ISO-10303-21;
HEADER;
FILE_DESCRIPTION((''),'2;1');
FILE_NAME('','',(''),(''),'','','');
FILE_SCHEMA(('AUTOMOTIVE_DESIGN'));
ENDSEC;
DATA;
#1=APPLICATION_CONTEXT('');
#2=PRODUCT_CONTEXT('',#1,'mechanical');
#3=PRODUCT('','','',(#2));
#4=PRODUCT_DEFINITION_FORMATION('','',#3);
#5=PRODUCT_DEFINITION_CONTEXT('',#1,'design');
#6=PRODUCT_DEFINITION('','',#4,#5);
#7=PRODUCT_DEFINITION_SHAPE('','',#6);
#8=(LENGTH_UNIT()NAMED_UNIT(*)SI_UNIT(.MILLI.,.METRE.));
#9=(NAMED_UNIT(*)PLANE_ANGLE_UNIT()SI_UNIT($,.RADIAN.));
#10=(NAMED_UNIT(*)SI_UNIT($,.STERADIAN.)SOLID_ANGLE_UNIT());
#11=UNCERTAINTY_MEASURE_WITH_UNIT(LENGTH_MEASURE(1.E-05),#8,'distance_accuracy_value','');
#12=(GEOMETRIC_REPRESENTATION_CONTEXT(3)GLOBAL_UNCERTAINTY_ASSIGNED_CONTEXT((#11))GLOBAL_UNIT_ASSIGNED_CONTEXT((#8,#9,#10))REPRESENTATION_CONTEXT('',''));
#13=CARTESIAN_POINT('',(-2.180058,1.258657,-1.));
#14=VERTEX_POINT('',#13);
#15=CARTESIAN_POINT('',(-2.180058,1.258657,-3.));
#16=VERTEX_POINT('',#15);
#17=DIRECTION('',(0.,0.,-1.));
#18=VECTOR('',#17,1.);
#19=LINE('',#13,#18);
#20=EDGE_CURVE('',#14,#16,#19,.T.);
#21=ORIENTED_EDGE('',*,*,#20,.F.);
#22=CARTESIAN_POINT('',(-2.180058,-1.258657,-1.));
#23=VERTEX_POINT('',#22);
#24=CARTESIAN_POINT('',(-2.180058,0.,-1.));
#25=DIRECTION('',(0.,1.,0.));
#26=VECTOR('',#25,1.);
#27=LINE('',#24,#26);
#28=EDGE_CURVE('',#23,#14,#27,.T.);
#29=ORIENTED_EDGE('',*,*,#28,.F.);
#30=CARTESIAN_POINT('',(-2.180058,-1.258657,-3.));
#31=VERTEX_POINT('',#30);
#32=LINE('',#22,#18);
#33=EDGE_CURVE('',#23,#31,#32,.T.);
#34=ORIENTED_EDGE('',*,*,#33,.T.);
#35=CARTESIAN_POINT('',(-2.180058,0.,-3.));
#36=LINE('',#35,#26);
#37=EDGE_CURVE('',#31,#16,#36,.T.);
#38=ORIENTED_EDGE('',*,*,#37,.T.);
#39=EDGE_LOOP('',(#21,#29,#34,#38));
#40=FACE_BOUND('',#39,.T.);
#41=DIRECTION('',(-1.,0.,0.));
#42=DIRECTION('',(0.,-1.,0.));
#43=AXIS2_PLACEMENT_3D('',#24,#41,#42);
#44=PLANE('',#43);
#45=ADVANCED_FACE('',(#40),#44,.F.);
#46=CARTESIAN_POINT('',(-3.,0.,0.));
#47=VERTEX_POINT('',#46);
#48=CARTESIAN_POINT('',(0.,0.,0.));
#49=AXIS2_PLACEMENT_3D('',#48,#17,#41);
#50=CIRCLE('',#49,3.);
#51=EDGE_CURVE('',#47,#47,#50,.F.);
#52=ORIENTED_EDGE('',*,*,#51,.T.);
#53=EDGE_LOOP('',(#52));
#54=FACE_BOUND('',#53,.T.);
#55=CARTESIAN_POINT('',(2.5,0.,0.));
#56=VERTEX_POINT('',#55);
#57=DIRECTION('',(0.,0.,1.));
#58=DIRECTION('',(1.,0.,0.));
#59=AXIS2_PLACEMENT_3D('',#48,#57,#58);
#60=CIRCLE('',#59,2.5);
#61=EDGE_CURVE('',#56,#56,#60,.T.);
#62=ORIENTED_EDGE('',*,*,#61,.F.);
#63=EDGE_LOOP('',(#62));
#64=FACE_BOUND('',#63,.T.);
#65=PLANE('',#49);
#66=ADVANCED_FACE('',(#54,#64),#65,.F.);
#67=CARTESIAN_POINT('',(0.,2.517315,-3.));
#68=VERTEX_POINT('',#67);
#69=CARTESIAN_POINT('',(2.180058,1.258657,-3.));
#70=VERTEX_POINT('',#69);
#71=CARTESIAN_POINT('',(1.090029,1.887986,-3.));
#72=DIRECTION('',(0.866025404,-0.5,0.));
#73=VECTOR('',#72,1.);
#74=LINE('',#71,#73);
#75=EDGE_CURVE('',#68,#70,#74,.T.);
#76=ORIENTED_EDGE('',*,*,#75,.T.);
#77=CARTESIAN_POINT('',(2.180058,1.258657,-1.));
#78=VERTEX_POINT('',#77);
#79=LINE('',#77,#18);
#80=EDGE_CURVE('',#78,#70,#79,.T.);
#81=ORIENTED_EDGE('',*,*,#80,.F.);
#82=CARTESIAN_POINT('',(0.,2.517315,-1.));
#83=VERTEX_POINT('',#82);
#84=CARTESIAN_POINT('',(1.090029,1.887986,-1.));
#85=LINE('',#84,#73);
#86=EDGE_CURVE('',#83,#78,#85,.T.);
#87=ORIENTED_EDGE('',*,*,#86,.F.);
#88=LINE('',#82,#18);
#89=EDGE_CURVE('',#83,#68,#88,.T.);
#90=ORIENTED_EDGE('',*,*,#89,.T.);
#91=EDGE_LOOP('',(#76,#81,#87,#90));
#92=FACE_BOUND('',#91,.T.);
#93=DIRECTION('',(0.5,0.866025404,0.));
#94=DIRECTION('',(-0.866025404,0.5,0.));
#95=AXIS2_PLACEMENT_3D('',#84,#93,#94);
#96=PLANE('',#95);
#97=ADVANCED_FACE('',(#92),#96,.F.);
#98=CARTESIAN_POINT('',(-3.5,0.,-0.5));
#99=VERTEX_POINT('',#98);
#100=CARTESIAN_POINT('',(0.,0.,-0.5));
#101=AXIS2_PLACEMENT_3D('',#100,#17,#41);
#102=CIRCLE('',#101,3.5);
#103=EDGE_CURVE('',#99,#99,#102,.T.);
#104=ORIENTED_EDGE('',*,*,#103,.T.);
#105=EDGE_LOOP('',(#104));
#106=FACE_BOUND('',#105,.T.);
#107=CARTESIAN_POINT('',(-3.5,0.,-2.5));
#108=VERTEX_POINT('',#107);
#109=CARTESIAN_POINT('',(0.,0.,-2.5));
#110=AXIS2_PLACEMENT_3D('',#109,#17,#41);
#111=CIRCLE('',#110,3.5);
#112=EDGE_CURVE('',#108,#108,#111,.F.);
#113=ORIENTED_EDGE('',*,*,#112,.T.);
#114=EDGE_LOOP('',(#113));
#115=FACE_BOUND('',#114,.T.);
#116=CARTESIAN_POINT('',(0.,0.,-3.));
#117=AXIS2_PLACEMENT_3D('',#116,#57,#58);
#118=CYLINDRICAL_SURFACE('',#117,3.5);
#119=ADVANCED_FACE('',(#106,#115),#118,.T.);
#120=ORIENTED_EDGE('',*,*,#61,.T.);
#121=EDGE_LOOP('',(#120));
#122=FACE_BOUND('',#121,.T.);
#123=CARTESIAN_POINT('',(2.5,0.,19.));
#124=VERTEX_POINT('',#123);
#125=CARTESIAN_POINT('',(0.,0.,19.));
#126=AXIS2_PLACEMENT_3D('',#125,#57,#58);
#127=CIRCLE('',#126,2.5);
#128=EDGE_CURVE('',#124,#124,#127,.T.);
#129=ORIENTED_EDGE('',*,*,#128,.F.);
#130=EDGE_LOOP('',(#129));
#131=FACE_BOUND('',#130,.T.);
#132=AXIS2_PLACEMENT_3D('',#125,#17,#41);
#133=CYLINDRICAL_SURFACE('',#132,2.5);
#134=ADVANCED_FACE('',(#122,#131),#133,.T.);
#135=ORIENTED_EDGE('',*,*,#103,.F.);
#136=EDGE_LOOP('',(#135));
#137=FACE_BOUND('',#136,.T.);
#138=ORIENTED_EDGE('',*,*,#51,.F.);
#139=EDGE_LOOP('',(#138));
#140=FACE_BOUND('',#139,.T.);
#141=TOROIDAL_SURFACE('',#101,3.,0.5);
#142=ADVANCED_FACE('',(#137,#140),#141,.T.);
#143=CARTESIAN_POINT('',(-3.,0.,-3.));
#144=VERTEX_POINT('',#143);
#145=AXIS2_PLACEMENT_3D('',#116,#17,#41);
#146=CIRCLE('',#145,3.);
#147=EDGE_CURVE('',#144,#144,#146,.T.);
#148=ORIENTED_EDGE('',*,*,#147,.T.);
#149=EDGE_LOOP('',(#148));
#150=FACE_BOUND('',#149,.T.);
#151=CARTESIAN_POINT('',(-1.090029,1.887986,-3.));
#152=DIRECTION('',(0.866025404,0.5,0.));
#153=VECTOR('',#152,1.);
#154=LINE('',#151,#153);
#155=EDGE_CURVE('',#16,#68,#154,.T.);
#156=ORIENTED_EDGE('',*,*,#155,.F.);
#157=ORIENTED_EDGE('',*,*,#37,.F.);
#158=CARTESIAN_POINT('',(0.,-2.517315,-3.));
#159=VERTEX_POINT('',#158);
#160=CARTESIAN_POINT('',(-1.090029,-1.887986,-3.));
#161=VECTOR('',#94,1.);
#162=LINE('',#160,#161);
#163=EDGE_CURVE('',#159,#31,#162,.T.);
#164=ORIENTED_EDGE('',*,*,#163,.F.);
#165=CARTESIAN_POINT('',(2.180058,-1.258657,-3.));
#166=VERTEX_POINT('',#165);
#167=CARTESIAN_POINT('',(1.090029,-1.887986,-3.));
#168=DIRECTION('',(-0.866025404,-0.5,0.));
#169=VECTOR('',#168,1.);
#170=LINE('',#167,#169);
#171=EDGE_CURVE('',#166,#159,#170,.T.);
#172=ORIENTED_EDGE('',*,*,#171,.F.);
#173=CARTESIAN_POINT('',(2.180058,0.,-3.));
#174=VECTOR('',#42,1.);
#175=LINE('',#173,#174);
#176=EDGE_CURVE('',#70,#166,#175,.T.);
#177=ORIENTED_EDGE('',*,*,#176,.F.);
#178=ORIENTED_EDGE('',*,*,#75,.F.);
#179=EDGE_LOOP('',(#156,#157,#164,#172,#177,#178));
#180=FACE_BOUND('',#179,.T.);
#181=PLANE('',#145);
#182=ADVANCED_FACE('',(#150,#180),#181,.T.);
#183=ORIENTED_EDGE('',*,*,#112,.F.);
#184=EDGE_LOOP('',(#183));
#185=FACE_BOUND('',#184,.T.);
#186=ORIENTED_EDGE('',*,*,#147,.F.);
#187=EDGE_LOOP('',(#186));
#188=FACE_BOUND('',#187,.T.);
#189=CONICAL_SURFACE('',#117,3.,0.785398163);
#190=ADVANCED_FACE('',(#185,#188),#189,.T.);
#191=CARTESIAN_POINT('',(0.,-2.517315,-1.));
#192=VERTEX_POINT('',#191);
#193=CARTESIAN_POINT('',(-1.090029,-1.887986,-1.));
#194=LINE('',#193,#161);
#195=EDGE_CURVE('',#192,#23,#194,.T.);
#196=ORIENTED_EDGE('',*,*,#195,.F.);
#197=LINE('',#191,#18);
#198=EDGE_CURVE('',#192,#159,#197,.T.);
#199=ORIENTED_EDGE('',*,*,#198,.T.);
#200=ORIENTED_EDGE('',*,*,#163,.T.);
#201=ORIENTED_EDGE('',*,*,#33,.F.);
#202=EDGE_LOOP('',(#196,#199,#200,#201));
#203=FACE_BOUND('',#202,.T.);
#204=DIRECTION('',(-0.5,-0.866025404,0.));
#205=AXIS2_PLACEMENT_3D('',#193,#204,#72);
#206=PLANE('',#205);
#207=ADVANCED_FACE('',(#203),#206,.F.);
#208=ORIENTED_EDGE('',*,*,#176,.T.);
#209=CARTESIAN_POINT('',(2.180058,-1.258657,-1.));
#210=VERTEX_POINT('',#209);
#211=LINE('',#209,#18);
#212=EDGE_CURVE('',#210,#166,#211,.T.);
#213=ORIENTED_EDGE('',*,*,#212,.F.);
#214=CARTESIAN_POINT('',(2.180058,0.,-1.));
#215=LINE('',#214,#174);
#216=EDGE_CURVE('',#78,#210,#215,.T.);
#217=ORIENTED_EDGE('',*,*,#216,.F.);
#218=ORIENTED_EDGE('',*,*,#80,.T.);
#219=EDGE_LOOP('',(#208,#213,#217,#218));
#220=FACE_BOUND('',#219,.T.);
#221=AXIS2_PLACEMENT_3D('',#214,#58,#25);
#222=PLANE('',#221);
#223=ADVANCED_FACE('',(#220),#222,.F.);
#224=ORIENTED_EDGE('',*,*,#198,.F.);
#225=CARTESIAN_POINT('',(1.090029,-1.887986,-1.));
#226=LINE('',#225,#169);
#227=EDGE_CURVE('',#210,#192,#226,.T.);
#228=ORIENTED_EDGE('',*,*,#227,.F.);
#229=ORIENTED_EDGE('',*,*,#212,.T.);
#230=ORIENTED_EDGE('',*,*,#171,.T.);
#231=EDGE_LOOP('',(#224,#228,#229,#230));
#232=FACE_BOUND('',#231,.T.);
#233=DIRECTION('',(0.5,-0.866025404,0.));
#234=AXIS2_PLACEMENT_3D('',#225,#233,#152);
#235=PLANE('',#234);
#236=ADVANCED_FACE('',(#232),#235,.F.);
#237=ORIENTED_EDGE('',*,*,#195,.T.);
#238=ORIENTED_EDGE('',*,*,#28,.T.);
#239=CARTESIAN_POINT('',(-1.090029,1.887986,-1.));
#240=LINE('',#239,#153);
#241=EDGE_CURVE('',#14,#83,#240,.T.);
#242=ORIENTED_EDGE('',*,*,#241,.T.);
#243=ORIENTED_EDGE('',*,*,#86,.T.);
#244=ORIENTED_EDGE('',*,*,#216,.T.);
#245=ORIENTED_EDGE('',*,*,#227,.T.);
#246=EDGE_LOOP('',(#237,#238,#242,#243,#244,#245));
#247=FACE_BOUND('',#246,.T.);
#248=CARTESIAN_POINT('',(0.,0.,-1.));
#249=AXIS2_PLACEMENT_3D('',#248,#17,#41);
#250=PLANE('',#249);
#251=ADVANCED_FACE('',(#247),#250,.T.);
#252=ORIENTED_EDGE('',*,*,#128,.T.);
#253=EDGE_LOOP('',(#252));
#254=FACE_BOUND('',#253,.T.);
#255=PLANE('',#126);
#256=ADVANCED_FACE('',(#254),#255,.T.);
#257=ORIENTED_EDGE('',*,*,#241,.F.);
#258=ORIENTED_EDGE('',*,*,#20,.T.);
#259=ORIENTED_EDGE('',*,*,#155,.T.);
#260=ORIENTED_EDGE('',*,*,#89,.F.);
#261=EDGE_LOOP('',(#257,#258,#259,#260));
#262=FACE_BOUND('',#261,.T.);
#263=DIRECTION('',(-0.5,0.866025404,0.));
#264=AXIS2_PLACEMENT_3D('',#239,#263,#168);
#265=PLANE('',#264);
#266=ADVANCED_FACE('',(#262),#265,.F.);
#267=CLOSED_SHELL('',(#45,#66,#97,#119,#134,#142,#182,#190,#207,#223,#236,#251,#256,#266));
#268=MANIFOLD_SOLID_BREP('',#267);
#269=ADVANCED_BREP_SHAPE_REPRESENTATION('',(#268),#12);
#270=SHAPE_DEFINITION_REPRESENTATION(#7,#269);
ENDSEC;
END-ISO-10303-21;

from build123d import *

# Parameters (mm, degrees)
SKETCH1_R           = 2.5
BOSS_EXTRUDE2_DEPTH = 19
SKETCH2_R           = 3.5
BOSS_EXTRUDE3_DEPTH = 3
CUT_EXTRUDE2_DEPTH  = 2
CHAMFER2_SIZE       = 0.5
FILLET5_R           = 0.5


with BuildPart() as part:
    # Sketch1 → Boss-Extrude2 (new body)
    with BuildSketch(Plane.XY):
        Circle(SKETCH1_R)
    extrude(amount=BOSS_EXTRUDE2_DEPTH)

    # Sketch2 → Boss-Extrude3 (add)
    with BuildSketch(Plane(origin=(0, 0, 0), x_dir=(-1, 0, 0), z_dir=(0, 0, -1))):
        Circle(SKETCH2_R)
    extrude(amount=BOSS_EXTRUDE3_DEPTH)

    # Sketch4 → Cut-Extrude2 (cut)
    with BuildSketch(Plane(origin=(0, 0, -3), x_dir=(-1, 0, 0), z_dir=(0, 0, -1))):
        Polygon((2.180058464, 0), (0, 0), (0, -2.517314682), (2.180058464, -1.258657341), align=None)
        Polygon((2.180058464, 1.258657341), (0, 2.517314682), (0, 0), (2.180058464, 0), align=None)
        Polygon((0, 0), (0, 2.517314682), (-2.180058464, 1.258657341), (-2.180058464, 0), align=None)
        Polygon((0, -2.517314682), (0, 0), (-2.180058464, 0), (-2.180058464, -1.258657341), align=None)
    extrude(amount=-CUT_EXTRUDE2_DEPTH, mode=Mode.SUBTRACT)

    # Chamfer2
    chamfer2_edges = [part.edges().sort_by_distance(p)[0] for p in [
        (3.5, 0, -3),
    ]]
    chamfer(chamfer2_edges, length=CHAMFER2_SIZE)

    # Fillet5
    fillet5_edges = [part.edges().sort_by_distance(p)[0] for p in [
        (3.5, 0, 0),
    ]]
    fillet(fillet5_edges, radius=FILLET5_R)


solid = part.part
